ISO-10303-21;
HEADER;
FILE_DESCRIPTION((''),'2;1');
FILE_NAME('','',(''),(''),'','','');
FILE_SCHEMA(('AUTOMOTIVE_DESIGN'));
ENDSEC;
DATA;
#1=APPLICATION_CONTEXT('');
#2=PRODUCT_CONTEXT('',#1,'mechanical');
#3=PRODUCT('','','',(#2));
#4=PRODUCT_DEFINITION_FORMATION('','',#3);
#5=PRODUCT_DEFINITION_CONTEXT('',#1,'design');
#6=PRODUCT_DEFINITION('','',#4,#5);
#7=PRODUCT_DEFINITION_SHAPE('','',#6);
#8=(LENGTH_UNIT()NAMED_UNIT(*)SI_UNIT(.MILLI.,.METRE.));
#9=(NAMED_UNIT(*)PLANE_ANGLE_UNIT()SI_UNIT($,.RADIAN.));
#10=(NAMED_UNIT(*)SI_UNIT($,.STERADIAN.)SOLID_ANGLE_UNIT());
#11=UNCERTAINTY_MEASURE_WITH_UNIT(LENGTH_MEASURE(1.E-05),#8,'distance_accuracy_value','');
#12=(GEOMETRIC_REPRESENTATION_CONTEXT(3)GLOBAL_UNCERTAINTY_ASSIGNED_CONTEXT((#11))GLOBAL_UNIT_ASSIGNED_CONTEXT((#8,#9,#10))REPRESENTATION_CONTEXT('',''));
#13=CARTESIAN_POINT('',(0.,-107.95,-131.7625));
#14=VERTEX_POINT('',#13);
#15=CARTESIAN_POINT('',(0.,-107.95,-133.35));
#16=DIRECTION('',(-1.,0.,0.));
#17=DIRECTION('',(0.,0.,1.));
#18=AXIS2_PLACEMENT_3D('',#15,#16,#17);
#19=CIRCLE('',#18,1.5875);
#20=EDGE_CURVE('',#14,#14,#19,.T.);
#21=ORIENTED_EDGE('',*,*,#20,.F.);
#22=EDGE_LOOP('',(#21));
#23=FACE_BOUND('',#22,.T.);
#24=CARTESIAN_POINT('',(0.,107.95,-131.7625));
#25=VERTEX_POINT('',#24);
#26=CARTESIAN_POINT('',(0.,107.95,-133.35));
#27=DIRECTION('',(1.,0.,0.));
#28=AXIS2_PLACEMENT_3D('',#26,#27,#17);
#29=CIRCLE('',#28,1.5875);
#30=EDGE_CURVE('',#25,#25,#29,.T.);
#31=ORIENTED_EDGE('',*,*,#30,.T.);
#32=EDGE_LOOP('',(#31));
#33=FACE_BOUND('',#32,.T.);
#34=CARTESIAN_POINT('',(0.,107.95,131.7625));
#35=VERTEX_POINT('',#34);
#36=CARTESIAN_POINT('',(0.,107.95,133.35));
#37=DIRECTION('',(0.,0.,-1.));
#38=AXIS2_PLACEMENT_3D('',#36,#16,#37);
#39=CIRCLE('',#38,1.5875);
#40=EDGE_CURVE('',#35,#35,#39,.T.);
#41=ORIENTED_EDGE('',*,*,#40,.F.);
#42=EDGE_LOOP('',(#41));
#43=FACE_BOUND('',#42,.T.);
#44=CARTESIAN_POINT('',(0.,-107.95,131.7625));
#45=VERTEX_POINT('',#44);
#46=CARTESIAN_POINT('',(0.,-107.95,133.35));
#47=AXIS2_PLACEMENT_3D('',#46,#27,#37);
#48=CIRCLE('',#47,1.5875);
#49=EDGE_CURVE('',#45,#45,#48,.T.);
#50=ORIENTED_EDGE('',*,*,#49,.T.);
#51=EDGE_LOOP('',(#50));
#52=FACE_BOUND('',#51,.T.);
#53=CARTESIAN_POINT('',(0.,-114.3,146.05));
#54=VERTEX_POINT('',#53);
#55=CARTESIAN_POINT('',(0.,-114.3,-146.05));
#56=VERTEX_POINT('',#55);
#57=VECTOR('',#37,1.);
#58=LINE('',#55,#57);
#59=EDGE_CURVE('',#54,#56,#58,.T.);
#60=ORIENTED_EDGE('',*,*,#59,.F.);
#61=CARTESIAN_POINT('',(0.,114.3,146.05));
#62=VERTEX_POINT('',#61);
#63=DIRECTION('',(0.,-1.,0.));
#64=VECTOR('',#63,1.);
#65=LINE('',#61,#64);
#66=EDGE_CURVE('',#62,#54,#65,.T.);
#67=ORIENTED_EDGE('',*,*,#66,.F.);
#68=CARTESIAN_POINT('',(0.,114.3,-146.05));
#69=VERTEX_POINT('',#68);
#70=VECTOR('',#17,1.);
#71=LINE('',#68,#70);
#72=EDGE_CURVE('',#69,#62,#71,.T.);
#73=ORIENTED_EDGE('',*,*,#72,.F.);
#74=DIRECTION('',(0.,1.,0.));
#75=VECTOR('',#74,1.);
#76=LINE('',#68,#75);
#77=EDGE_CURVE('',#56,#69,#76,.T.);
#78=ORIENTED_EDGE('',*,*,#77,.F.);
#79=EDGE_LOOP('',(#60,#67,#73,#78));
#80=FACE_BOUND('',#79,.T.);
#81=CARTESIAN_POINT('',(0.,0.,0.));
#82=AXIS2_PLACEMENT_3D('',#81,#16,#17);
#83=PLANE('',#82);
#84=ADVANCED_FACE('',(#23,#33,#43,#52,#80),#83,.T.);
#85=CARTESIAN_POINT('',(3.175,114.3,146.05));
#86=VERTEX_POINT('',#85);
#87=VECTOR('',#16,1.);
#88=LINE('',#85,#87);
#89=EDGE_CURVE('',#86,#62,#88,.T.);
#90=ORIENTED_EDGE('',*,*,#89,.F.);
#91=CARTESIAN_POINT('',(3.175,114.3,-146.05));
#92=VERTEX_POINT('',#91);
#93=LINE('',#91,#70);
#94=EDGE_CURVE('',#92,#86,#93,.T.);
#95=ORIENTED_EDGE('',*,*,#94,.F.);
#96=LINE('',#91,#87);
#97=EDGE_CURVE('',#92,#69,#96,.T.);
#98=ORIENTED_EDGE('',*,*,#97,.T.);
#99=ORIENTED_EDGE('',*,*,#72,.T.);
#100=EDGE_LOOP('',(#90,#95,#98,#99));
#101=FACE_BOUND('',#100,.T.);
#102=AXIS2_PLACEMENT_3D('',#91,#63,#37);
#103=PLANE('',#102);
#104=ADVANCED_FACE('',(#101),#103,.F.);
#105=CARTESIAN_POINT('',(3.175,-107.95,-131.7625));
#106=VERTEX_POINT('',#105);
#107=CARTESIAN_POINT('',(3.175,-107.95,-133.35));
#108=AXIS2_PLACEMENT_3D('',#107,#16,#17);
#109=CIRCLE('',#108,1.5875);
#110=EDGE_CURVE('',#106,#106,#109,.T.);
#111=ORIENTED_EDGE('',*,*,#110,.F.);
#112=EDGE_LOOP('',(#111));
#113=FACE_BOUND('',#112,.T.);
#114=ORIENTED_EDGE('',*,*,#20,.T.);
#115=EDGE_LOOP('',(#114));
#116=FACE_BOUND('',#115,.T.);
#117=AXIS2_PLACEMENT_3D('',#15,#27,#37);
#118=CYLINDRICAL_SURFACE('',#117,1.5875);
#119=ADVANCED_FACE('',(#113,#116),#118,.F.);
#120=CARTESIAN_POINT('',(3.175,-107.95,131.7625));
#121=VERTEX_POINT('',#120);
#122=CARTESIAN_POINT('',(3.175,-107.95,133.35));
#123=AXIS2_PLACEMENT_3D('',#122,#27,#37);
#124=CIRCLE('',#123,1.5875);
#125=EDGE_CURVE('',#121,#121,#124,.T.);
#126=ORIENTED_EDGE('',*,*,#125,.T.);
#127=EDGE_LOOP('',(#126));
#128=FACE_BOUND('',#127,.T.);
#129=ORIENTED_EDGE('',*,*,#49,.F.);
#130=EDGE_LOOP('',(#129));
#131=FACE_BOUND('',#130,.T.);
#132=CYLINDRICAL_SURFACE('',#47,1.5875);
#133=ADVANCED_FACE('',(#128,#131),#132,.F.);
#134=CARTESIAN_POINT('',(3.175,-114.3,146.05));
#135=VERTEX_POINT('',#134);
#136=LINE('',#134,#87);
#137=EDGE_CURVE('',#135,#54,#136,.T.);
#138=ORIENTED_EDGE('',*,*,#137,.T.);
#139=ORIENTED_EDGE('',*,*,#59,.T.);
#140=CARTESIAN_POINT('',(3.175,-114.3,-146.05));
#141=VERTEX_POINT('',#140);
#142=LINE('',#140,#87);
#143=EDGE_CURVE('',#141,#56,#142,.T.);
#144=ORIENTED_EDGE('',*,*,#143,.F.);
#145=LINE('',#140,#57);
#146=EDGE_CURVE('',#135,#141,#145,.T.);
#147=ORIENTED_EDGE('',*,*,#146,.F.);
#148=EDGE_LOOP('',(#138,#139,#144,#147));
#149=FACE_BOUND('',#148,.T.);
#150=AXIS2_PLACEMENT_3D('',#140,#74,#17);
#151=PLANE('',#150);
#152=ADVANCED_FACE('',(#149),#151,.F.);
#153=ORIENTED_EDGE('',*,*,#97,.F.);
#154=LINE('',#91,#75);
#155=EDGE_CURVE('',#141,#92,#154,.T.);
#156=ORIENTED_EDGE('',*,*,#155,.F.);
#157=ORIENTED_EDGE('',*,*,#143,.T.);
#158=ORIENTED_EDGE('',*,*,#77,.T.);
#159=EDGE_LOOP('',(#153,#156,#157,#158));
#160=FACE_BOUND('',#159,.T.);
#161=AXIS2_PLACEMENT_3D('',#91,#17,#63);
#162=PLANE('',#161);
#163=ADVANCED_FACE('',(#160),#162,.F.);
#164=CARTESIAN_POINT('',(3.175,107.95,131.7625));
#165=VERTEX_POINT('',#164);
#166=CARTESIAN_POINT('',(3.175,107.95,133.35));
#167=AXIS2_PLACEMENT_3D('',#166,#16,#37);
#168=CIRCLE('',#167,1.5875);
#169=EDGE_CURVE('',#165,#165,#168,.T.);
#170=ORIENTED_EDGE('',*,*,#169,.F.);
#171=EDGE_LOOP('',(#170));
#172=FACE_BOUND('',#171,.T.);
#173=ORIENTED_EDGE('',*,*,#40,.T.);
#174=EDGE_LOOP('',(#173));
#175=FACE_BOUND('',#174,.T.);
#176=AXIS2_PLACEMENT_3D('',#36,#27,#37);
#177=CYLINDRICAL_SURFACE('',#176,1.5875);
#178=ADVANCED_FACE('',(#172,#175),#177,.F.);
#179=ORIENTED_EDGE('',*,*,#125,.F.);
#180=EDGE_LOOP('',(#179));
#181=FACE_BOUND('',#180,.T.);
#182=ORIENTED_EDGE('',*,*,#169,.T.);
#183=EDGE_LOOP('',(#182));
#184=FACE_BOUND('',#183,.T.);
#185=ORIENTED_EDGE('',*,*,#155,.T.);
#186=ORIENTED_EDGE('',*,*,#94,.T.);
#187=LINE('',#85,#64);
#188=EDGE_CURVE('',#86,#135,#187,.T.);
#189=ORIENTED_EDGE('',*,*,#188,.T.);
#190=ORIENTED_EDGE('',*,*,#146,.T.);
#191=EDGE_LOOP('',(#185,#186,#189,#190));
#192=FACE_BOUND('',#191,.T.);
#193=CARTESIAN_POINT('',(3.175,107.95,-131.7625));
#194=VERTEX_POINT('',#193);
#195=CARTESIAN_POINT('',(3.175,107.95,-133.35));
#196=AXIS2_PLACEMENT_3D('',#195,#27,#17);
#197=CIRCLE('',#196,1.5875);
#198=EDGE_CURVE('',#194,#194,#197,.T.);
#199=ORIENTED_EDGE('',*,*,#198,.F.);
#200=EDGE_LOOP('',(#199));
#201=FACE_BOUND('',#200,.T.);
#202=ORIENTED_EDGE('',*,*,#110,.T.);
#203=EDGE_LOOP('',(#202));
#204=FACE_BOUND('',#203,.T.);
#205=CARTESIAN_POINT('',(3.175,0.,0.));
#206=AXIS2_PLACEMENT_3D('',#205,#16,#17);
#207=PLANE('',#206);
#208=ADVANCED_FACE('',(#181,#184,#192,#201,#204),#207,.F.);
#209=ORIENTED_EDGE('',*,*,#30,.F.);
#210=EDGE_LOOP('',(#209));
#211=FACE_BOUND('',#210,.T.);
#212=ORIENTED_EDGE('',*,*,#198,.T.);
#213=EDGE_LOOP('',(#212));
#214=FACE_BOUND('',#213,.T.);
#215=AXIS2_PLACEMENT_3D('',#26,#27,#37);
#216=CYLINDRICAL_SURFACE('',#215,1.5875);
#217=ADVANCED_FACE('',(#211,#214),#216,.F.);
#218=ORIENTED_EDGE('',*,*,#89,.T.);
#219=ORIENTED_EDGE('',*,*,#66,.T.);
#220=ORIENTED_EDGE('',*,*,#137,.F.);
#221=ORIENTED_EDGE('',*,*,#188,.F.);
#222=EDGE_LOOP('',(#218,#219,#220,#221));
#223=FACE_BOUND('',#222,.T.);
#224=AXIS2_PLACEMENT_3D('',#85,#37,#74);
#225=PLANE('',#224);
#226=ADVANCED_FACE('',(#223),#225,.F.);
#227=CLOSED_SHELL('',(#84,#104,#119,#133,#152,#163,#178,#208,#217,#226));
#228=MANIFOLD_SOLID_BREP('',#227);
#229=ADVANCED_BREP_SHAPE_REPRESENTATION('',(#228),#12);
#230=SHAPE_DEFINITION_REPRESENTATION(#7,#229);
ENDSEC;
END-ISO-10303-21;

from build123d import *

# Parameters (mm, degrees)
SKETCH2_W               = 292.1
SKETCH2_H               = 228.6
BOSS_EXTRUDE1_DEPTH     = 3.175
SKETCH3_R               = 1.5875
CUT_EXTRUDE1_DEPTH      = 186.486315196
MIRROR2_COPY_1_SKETCH_R = 1.5875
MIRROR2_COPY_1_DEPTH    = 186.486315196


with BuildPart() as part:
    # Sketch2 → Boss-Extrude1 (new body)
    with BuildSketch(Plane(origin=(0, 0, 0), x_dir=(0, 0, -1), z_dir=(1, 0, 0))):
        Rectangle(SKETCH2_W, SKETCH2_H)
    extrude(amount=BOSS_EXTRUDE1_DEPTH)

    # Sketch3 → Cut-Extrude1 (cut, through all)
    with BuildSketch(Plane(origin=(3.175, 0, 0), x_dir=(0, 0, -1), z_dir=(1, 0, 0))):
        with Locations((-133.35, -107.95)):
            Circle(SKETCH3_R)
    cut_extrude1 = extrude(amount=-CUT_EXTRUDE1_DEPTH, mode=Mode.SUBTRACT)

    # Mirror1: Cut-Extrude1 across plane
    add(cut_extrude1.mirror(Plane.ZX), mode=Mode.SUBTRACT)

    # Mirror2: Cut-Extrude1 across plane
    add(cut_extrude1.mirror(Plane.XY), mode=Mode.SUBTRACT)

    # Mirror2 copy 1 sketch → Mirror2 copy 1 (cut, through all)
    with BuildSketch(Plane(origin=(3.175, 0, 0), x_dir=(0, 0, 1), z_dir=(1, 0, 0))):
        with Locations((-133.35, -107.95)):
            Circle(MIRROR2_COPY_1_SKETCH_R)
    extrude(amount=-MIRROR2_COPY_1_DEPTH, mode=Mode.SUBTRACT)


solid = part.part
